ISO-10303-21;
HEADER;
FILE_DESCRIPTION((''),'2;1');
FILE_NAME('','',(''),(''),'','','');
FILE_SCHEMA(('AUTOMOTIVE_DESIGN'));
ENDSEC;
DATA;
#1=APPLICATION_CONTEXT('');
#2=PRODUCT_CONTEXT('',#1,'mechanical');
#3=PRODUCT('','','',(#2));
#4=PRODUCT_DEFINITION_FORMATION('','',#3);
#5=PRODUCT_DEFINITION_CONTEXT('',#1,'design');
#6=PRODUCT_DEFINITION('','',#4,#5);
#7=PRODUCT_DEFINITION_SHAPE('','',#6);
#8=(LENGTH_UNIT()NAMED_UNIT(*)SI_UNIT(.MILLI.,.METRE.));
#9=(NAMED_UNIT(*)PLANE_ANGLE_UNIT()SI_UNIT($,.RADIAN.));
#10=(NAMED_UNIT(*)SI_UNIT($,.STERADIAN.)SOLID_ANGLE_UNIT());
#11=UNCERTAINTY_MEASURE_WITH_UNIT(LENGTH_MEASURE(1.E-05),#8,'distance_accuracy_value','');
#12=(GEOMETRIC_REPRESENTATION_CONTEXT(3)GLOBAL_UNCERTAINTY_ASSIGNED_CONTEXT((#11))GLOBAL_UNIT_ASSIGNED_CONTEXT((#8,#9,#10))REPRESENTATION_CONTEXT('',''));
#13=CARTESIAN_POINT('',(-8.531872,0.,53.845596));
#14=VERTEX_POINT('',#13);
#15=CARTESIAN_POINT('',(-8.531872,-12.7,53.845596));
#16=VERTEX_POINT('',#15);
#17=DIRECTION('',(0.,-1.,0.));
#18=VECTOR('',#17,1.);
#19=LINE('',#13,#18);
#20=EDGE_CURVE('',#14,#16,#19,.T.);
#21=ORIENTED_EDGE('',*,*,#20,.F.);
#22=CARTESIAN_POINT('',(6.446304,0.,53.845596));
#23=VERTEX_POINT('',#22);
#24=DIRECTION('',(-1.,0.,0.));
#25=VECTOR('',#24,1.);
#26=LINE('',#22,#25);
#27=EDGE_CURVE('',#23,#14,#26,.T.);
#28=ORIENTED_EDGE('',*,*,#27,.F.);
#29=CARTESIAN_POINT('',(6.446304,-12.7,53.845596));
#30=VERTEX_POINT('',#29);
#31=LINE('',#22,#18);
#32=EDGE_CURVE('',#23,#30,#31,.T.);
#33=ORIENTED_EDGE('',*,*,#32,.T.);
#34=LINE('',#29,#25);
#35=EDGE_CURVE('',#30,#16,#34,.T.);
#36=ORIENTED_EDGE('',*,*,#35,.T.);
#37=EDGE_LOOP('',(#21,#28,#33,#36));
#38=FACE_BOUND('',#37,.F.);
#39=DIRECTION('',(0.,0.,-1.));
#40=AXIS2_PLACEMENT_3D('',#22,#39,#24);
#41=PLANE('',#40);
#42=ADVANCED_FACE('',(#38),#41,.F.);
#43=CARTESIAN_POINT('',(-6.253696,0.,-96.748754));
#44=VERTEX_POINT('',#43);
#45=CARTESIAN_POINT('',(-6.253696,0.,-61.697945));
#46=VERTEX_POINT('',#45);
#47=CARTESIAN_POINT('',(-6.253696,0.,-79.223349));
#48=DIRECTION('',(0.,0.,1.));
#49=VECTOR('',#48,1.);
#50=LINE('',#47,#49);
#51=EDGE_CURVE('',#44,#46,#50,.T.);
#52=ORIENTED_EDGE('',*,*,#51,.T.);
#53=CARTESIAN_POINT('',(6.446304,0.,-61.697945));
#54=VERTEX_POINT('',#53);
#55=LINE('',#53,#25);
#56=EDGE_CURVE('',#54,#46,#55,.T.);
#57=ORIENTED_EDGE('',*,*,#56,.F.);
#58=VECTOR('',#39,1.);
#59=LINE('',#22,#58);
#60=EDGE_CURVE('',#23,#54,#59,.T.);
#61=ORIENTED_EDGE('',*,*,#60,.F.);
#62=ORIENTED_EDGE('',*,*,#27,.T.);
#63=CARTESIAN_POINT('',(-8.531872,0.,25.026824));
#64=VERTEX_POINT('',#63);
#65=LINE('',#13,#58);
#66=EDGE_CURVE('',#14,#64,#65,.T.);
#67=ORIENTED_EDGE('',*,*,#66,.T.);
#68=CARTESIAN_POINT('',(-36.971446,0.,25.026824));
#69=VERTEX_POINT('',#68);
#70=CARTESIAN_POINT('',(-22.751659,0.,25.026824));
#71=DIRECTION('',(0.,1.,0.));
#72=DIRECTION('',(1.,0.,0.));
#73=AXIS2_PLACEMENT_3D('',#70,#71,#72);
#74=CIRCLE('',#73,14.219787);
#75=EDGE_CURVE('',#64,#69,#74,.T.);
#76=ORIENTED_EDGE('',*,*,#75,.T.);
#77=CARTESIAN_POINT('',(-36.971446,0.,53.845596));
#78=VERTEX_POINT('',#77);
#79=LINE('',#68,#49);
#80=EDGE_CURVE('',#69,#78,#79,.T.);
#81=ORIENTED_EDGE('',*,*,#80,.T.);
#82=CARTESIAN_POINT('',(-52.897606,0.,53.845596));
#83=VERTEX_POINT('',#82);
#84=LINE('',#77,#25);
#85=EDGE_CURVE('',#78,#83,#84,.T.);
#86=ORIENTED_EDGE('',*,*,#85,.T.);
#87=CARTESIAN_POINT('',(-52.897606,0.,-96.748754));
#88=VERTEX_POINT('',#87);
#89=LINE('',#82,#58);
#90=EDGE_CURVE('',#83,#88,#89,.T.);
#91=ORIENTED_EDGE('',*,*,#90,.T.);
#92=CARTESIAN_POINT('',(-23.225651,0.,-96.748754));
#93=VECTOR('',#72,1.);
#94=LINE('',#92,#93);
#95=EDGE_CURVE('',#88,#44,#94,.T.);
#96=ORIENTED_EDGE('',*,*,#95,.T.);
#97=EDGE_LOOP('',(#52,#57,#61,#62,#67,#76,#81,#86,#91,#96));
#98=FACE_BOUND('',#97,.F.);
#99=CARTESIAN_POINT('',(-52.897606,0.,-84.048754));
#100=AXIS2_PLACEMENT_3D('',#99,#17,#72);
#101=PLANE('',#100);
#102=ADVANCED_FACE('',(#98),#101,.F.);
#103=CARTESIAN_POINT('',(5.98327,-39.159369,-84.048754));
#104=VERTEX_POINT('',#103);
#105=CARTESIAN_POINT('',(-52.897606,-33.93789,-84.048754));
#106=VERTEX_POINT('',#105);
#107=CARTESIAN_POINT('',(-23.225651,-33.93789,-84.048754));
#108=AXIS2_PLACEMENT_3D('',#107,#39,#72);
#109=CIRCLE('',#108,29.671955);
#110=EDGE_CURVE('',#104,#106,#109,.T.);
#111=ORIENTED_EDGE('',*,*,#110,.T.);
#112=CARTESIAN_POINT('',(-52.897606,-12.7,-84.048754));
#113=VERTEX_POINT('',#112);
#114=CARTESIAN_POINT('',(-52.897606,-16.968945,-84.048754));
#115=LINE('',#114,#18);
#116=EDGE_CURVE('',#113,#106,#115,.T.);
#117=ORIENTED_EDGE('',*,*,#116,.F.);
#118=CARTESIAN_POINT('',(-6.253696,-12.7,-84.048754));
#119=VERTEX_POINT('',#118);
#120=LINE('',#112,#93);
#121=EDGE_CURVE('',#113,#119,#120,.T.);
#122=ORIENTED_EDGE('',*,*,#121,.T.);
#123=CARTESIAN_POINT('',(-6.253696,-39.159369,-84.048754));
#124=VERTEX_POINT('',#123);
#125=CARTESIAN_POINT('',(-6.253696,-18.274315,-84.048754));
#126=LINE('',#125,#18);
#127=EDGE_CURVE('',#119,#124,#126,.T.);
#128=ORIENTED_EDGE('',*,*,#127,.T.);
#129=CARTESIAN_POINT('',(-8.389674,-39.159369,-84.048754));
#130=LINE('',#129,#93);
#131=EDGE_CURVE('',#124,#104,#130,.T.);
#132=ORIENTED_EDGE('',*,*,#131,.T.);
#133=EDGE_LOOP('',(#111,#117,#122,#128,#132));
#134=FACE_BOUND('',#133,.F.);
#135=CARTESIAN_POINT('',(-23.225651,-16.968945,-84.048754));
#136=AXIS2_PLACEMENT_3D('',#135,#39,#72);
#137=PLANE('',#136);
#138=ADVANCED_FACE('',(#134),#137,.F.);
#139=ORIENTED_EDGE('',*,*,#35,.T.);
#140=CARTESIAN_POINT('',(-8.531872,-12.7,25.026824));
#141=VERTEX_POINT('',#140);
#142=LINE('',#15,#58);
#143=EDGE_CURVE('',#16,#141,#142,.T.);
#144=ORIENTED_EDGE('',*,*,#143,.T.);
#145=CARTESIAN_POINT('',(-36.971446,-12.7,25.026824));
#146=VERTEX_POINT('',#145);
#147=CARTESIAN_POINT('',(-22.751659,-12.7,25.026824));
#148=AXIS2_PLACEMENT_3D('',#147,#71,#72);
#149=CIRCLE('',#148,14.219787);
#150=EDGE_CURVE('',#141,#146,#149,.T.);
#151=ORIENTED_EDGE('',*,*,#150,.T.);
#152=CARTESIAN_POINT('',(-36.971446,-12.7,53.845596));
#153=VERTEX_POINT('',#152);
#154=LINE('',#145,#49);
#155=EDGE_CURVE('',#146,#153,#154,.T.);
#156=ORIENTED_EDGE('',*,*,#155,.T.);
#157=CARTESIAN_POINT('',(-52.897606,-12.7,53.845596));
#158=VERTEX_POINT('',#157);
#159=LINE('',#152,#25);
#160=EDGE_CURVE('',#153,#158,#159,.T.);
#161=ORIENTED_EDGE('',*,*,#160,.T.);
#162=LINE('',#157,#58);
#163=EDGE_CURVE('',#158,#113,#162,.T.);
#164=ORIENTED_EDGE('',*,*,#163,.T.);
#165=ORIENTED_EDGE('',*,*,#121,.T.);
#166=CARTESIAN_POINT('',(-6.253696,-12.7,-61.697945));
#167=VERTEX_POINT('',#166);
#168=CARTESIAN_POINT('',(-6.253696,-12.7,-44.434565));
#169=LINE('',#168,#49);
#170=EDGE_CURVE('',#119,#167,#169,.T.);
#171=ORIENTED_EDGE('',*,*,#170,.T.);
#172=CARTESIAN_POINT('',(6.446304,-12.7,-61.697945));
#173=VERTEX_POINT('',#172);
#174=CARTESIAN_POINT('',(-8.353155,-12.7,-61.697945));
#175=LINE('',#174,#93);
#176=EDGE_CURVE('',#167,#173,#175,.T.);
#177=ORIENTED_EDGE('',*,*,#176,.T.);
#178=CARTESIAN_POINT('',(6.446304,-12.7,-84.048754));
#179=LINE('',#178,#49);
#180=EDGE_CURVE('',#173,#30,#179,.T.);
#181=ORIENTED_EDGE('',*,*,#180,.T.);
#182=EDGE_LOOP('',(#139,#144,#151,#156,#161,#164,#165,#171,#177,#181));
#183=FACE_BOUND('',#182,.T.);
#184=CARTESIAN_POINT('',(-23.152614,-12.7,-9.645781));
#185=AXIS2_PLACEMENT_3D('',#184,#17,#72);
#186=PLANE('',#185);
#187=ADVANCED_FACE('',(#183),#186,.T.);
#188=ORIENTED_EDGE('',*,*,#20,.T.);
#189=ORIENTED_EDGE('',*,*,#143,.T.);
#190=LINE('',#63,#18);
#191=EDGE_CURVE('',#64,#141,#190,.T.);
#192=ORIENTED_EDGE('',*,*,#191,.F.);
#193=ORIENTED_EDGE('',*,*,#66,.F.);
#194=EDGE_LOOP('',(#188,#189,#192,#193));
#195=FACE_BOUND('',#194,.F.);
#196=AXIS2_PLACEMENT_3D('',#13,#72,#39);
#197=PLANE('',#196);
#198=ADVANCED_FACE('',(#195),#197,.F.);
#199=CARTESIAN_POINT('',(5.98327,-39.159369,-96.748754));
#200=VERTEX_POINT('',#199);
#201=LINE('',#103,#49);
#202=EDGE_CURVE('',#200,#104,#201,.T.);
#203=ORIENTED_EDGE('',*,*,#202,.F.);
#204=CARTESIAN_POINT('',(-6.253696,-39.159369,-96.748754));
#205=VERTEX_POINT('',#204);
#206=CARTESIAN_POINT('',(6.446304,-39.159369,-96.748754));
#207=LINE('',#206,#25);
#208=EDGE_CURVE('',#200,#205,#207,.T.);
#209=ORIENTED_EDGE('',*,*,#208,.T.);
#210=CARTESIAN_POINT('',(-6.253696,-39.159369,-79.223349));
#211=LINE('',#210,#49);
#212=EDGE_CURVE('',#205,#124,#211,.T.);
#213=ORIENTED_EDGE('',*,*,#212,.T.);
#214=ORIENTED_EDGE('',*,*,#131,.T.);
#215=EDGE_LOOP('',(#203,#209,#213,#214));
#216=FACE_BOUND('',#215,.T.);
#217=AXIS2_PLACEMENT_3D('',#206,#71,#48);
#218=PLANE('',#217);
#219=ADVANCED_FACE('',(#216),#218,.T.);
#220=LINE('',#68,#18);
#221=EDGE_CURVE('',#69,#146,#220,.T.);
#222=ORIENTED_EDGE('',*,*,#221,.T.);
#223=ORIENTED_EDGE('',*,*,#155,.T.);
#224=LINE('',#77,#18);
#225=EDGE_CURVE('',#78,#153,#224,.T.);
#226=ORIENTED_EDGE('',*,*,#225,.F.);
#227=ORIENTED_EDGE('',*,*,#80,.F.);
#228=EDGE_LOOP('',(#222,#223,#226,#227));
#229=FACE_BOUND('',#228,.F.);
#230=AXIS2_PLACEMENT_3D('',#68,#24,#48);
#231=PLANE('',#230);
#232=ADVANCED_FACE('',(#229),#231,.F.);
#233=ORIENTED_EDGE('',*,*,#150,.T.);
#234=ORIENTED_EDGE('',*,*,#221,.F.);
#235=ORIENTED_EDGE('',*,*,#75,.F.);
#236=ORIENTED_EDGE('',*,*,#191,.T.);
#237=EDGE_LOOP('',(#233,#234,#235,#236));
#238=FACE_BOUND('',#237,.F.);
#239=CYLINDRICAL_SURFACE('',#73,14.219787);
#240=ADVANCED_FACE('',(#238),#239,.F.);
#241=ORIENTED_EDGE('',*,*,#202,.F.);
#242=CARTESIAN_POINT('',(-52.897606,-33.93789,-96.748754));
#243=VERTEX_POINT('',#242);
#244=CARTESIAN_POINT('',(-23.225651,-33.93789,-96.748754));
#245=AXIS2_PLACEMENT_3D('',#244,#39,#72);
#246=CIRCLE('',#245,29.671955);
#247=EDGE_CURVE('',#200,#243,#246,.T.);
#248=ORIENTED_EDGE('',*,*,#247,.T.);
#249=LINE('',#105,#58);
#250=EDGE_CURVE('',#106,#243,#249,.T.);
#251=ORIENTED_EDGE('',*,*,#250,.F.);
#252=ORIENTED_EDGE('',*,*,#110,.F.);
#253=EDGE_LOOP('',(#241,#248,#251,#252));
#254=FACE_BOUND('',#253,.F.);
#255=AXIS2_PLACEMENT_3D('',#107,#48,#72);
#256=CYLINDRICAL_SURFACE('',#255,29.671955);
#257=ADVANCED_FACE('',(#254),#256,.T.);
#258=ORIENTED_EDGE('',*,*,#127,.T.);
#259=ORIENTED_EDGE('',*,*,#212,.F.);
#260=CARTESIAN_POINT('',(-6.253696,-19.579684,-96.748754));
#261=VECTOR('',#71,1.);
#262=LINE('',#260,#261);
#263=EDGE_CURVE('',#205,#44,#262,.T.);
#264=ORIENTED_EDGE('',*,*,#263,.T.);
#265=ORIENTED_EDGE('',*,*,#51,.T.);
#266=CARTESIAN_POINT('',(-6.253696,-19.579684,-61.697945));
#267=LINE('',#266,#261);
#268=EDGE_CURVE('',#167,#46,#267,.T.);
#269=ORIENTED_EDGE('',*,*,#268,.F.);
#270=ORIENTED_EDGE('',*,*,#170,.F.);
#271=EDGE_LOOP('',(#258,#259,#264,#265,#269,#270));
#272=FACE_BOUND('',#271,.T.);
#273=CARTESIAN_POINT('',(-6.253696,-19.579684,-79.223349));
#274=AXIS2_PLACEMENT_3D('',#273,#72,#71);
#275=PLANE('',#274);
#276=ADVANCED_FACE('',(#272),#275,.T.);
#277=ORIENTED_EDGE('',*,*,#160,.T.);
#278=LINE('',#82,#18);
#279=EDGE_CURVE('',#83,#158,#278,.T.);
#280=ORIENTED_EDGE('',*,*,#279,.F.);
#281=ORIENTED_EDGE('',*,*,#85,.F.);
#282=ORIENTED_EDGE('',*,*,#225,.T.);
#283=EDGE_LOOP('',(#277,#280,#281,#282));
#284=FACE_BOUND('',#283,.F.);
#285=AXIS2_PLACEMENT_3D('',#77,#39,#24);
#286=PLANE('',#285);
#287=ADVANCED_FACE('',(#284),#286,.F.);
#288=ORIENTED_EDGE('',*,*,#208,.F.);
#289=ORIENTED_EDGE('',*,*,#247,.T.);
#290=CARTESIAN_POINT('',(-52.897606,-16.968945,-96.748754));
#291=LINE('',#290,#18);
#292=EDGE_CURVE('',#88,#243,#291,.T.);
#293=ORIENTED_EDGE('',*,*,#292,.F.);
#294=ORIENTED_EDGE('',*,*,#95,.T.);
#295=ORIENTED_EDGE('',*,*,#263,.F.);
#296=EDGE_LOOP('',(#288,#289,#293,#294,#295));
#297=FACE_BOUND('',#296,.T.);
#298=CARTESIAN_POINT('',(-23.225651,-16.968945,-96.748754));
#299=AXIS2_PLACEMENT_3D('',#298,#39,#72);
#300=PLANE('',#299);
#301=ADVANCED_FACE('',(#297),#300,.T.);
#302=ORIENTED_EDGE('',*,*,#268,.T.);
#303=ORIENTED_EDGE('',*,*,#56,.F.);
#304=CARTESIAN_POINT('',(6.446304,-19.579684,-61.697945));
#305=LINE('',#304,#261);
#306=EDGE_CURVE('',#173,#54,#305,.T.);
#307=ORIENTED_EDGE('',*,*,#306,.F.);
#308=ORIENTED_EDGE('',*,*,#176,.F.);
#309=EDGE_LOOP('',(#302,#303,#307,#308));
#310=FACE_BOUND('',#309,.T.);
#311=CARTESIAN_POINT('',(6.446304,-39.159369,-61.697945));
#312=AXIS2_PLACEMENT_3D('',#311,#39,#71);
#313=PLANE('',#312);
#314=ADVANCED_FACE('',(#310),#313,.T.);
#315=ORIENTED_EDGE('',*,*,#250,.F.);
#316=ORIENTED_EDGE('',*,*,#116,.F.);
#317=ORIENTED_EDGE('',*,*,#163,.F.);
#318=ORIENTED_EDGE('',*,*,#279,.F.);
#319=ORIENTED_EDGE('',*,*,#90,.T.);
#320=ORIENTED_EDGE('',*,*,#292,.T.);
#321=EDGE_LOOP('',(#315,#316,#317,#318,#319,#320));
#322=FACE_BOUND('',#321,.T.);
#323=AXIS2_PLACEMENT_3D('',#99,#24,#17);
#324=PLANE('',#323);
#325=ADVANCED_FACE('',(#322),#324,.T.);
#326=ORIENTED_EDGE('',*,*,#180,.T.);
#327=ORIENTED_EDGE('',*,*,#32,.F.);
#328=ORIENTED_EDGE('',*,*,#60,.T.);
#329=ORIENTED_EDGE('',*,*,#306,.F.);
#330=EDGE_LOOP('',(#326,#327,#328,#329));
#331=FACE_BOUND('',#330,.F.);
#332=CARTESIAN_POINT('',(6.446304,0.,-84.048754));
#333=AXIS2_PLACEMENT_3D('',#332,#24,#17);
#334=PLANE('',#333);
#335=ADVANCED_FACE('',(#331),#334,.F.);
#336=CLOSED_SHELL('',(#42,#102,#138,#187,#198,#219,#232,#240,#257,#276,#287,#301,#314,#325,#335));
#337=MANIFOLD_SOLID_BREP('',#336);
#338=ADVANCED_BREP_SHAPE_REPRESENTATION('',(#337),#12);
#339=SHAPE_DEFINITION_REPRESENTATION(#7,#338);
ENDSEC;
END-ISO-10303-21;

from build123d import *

# Parameters (mm, degrees)
F1_DEPTH = 12.7
F2_W     = 59.3439098448
F2_H     = 33.9378900826
F3_DEPTH = 12.7
F4_W     = 39.1593687236
F4_H     = 35.0508086056
F5_DEPTH = 12.7


with BuildPart() as f1:
    # F0 (on Front) → F1 (new body)
    with BuildSketch(Plane.XZ):
        with BuildLine():
            Line((-36.9714461267, 53.8455955684), (-52.897606045, 53.8455955684))
            Line((-52.897606045, 53.8455955684), (-52.897606045, -84.0487536043))
            Line((-52.897606045, -84.0487536043), (6.4463037997, -84.0487536043))
            Line((6.4463037997, -84.0487536043), (6.4463037997, 53.8455955684))
            Line((6.4463037997, 53.8455955684), (-8.5318721831, 53.8455955684))
            Line((-8.5318721831, 53.8455955684), (-8.5318721831, 25.0268243253))
            ThreePointArc((-8.5318721831, 25.0268243253), (-22.7516591549, 10.8070373535), (-36.9714461267, 25.0268243253))
            Line((-36.9714461267, 25.0268243253), (-36.9714461267, 53.8455955684))
        make_face()
    extrude(amount=F1_DEPTH)

    # F2 (on face) → F3 (join)
    with BuildSketch(Plane(origin=(0, 0, -84.0487536043), x_dir=(1, 0, 0), z_dir=(0, 0, -1))):
        with Locations((-23.2256511226, 16.9689450413)):
            Rectangle(F2_W, F2_H)
        with BuildLine():
            Line((-52.897606045, 33.9378900826), (6.4463037997, 33.9378900826))
            ThreePointArc((6.4463037997, 33.9378900826), (-23.2256511226, 63.609845005), (-52.897606045, 33.9378900826))
        make_face()
    extrude(amount=F3_DEPTH)

    # F4 (on face) → F5 (cut)
    with BuildSketch(Plane.YZ.offset(6.4463037997)):
        with Locations((-19.5796843618, -79.2233493015)):
            Rectangle(F4_W, F4_H)
    extrude(amount=-F5_DEPTH, mode=Mode.SUBTRACT)


solid = f1.part
